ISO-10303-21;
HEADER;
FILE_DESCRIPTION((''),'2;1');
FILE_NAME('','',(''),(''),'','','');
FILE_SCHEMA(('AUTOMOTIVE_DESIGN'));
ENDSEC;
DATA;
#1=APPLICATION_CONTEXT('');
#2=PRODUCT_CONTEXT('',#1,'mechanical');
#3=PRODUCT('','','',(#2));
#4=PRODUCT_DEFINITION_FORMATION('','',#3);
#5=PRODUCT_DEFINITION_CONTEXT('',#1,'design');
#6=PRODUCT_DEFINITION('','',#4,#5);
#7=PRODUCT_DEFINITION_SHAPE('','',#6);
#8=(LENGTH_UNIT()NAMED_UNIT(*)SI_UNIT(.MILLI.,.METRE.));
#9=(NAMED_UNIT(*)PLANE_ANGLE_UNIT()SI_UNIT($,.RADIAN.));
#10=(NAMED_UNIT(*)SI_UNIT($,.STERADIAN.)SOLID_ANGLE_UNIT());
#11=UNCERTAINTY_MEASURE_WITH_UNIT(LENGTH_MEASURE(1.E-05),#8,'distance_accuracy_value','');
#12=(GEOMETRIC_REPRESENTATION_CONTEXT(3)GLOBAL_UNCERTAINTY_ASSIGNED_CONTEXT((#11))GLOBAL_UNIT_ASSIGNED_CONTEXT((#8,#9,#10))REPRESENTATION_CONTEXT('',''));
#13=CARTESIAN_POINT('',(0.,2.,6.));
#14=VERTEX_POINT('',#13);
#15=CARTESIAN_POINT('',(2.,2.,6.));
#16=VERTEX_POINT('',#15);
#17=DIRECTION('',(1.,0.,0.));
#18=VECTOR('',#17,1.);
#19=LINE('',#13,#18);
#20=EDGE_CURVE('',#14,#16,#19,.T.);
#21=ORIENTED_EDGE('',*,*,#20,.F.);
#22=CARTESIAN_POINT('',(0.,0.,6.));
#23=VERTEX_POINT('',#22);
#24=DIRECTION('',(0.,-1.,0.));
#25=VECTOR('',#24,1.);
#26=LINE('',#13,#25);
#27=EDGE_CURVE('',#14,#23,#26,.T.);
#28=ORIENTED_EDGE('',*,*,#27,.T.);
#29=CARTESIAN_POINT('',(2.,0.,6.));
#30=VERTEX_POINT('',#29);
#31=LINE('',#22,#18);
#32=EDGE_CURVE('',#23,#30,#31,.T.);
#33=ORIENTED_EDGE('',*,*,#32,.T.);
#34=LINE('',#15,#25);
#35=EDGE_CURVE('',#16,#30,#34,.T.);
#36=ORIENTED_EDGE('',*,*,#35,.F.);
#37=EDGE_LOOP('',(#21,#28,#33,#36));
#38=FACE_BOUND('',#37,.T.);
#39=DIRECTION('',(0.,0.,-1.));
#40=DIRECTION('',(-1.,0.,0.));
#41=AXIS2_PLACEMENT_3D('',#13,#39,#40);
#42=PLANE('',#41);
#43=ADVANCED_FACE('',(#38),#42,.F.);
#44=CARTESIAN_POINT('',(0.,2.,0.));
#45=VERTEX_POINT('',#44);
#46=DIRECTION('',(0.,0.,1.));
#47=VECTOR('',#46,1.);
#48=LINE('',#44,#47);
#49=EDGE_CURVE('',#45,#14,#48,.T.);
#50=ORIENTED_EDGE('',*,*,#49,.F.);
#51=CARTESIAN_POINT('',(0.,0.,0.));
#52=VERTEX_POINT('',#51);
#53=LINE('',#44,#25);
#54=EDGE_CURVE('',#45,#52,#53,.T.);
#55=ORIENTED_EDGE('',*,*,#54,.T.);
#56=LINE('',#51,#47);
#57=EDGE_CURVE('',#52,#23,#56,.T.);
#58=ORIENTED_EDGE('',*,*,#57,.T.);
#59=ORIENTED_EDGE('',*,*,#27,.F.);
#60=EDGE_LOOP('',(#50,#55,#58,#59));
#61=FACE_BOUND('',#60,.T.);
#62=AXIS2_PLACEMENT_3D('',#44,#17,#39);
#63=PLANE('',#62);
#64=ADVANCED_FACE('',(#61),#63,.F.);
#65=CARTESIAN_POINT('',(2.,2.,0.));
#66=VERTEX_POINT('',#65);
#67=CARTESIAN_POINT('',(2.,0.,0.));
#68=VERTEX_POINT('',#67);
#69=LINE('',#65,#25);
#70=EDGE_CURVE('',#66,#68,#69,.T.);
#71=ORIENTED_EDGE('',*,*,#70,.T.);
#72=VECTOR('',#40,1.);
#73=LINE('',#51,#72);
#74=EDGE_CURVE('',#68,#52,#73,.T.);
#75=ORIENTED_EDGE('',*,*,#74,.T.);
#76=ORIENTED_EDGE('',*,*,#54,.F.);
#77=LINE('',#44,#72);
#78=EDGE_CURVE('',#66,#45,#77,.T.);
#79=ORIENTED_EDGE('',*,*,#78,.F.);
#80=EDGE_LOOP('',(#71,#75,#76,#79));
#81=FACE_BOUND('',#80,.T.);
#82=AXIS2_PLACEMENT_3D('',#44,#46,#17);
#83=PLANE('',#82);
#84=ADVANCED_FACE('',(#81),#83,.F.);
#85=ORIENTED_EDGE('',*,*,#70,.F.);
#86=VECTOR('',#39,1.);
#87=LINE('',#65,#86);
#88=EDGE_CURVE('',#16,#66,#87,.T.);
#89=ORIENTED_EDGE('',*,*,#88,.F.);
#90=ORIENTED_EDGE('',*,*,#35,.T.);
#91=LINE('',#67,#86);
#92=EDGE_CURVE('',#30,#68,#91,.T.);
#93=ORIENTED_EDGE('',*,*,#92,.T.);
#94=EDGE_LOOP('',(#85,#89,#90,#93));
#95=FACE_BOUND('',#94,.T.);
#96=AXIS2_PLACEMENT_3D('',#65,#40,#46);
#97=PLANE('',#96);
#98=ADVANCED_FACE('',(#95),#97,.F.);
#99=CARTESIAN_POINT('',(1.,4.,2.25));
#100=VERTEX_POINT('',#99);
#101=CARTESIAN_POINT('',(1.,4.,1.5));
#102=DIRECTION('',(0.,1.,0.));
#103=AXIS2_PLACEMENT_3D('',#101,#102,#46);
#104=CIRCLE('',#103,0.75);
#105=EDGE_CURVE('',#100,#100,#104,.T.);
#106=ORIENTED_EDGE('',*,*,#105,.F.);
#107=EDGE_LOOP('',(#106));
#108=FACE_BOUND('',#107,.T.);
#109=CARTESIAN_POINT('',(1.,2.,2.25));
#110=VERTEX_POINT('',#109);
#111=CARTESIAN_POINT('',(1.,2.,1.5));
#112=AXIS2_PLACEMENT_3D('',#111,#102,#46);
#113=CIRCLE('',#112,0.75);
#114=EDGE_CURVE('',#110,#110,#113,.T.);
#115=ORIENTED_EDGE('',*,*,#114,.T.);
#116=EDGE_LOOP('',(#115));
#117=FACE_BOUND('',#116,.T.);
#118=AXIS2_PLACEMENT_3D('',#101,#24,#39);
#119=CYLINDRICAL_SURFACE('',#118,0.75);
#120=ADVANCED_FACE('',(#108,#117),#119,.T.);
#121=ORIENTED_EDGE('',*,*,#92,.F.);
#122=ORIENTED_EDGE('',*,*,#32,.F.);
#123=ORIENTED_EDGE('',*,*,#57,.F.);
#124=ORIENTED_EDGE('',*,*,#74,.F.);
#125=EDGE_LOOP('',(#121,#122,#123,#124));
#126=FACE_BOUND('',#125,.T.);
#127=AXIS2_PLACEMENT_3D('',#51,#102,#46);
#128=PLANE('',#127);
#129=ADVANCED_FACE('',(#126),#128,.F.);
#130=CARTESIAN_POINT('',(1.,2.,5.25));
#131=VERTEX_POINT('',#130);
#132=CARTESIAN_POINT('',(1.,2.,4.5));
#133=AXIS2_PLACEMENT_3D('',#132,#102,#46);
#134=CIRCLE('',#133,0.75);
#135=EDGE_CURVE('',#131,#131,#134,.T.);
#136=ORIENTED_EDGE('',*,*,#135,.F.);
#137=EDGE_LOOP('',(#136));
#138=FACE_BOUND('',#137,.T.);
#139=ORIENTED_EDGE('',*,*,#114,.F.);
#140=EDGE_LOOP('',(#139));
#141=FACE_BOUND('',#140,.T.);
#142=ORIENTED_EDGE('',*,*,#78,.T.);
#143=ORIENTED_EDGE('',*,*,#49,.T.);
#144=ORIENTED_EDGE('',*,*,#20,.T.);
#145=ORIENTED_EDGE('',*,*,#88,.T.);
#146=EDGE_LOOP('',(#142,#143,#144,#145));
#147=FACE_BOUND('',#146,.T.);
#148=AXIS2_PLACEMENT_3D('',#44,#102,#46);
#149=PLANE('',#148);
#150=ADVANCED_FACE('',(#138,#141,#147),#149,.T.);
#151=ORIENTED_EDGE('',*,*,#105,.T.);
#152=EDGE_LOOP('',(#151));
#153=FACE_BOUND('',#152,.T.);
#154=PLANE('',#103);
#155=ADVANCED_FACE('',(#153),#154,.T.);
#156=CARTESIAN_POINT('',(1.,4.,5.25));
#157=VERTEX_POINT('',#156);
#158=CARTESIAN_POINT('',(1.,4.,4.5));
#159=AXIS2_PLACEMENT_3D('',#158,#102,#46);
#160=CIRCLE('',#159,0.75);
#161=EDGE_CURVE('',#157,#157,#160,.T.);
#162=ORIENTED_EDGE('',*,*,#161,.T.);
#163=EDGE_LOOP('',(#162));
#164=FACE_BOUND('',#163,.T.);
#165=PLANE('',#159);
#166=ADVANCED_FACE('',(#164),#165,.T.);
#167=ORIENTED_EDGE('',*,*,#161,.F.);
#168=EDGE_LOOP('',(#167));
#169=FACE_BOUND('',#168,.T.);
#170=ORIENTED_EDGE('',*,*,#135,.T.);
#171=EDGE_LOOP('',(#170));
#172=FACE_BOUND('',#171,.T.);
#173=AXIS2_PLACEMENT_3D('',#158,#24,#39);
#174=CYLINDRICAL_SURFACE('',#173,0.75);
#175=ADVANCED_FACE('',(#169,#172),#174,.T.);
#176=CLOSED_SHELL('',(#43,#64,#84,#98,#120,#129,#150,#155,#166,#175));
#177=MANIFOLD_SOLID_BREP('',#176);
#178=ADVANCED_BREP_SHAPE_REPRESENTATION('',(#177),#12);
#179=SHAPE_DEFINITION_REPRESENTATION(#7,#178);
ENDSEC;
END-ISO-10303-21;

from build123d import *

# Parameters (mm, degrees)
SKETCH1_W           = 2
SKETCH1_H           = 6
BOSS_EXTRUDE1_DEPTH = 2
SKETCH2_R           = 0.75
BOSS_EXTRUDE2_DEPTH = 2


with BuildPart() as part:
    # Sketch1 → Boss-Extrude1 (new body)
    with BuildSketch(Plane(origin=(0, 0, 0), x_dir=(1, 0, 0), z_dir=(0, 1, 0))):
        with Locations((1, -3)):
            Rectangle(SKETCH1_W, SKETCH1_H)
    extrude(amount=BOSS_EXTRUDE1_DEPTH)

    # Sketch2 → Boss-Extrude2 (add)
    with BuildSketch(Plane(origin=(0, 2, 0), x_dir=(1, 0, 0), z_dir=(0, 1, 0))):
        with Locations(Location((1, -1.5, 0), (0, 0, 270))):
            Circle(SKETCH2_R)
        with Locations(Location((1, -4.5, 0), (0, 0, 270))):
            Circle(SKETCH2_R)
    extrude(amount=BOSS_EXTRUDE2_DEPTH)


solid = part.part
